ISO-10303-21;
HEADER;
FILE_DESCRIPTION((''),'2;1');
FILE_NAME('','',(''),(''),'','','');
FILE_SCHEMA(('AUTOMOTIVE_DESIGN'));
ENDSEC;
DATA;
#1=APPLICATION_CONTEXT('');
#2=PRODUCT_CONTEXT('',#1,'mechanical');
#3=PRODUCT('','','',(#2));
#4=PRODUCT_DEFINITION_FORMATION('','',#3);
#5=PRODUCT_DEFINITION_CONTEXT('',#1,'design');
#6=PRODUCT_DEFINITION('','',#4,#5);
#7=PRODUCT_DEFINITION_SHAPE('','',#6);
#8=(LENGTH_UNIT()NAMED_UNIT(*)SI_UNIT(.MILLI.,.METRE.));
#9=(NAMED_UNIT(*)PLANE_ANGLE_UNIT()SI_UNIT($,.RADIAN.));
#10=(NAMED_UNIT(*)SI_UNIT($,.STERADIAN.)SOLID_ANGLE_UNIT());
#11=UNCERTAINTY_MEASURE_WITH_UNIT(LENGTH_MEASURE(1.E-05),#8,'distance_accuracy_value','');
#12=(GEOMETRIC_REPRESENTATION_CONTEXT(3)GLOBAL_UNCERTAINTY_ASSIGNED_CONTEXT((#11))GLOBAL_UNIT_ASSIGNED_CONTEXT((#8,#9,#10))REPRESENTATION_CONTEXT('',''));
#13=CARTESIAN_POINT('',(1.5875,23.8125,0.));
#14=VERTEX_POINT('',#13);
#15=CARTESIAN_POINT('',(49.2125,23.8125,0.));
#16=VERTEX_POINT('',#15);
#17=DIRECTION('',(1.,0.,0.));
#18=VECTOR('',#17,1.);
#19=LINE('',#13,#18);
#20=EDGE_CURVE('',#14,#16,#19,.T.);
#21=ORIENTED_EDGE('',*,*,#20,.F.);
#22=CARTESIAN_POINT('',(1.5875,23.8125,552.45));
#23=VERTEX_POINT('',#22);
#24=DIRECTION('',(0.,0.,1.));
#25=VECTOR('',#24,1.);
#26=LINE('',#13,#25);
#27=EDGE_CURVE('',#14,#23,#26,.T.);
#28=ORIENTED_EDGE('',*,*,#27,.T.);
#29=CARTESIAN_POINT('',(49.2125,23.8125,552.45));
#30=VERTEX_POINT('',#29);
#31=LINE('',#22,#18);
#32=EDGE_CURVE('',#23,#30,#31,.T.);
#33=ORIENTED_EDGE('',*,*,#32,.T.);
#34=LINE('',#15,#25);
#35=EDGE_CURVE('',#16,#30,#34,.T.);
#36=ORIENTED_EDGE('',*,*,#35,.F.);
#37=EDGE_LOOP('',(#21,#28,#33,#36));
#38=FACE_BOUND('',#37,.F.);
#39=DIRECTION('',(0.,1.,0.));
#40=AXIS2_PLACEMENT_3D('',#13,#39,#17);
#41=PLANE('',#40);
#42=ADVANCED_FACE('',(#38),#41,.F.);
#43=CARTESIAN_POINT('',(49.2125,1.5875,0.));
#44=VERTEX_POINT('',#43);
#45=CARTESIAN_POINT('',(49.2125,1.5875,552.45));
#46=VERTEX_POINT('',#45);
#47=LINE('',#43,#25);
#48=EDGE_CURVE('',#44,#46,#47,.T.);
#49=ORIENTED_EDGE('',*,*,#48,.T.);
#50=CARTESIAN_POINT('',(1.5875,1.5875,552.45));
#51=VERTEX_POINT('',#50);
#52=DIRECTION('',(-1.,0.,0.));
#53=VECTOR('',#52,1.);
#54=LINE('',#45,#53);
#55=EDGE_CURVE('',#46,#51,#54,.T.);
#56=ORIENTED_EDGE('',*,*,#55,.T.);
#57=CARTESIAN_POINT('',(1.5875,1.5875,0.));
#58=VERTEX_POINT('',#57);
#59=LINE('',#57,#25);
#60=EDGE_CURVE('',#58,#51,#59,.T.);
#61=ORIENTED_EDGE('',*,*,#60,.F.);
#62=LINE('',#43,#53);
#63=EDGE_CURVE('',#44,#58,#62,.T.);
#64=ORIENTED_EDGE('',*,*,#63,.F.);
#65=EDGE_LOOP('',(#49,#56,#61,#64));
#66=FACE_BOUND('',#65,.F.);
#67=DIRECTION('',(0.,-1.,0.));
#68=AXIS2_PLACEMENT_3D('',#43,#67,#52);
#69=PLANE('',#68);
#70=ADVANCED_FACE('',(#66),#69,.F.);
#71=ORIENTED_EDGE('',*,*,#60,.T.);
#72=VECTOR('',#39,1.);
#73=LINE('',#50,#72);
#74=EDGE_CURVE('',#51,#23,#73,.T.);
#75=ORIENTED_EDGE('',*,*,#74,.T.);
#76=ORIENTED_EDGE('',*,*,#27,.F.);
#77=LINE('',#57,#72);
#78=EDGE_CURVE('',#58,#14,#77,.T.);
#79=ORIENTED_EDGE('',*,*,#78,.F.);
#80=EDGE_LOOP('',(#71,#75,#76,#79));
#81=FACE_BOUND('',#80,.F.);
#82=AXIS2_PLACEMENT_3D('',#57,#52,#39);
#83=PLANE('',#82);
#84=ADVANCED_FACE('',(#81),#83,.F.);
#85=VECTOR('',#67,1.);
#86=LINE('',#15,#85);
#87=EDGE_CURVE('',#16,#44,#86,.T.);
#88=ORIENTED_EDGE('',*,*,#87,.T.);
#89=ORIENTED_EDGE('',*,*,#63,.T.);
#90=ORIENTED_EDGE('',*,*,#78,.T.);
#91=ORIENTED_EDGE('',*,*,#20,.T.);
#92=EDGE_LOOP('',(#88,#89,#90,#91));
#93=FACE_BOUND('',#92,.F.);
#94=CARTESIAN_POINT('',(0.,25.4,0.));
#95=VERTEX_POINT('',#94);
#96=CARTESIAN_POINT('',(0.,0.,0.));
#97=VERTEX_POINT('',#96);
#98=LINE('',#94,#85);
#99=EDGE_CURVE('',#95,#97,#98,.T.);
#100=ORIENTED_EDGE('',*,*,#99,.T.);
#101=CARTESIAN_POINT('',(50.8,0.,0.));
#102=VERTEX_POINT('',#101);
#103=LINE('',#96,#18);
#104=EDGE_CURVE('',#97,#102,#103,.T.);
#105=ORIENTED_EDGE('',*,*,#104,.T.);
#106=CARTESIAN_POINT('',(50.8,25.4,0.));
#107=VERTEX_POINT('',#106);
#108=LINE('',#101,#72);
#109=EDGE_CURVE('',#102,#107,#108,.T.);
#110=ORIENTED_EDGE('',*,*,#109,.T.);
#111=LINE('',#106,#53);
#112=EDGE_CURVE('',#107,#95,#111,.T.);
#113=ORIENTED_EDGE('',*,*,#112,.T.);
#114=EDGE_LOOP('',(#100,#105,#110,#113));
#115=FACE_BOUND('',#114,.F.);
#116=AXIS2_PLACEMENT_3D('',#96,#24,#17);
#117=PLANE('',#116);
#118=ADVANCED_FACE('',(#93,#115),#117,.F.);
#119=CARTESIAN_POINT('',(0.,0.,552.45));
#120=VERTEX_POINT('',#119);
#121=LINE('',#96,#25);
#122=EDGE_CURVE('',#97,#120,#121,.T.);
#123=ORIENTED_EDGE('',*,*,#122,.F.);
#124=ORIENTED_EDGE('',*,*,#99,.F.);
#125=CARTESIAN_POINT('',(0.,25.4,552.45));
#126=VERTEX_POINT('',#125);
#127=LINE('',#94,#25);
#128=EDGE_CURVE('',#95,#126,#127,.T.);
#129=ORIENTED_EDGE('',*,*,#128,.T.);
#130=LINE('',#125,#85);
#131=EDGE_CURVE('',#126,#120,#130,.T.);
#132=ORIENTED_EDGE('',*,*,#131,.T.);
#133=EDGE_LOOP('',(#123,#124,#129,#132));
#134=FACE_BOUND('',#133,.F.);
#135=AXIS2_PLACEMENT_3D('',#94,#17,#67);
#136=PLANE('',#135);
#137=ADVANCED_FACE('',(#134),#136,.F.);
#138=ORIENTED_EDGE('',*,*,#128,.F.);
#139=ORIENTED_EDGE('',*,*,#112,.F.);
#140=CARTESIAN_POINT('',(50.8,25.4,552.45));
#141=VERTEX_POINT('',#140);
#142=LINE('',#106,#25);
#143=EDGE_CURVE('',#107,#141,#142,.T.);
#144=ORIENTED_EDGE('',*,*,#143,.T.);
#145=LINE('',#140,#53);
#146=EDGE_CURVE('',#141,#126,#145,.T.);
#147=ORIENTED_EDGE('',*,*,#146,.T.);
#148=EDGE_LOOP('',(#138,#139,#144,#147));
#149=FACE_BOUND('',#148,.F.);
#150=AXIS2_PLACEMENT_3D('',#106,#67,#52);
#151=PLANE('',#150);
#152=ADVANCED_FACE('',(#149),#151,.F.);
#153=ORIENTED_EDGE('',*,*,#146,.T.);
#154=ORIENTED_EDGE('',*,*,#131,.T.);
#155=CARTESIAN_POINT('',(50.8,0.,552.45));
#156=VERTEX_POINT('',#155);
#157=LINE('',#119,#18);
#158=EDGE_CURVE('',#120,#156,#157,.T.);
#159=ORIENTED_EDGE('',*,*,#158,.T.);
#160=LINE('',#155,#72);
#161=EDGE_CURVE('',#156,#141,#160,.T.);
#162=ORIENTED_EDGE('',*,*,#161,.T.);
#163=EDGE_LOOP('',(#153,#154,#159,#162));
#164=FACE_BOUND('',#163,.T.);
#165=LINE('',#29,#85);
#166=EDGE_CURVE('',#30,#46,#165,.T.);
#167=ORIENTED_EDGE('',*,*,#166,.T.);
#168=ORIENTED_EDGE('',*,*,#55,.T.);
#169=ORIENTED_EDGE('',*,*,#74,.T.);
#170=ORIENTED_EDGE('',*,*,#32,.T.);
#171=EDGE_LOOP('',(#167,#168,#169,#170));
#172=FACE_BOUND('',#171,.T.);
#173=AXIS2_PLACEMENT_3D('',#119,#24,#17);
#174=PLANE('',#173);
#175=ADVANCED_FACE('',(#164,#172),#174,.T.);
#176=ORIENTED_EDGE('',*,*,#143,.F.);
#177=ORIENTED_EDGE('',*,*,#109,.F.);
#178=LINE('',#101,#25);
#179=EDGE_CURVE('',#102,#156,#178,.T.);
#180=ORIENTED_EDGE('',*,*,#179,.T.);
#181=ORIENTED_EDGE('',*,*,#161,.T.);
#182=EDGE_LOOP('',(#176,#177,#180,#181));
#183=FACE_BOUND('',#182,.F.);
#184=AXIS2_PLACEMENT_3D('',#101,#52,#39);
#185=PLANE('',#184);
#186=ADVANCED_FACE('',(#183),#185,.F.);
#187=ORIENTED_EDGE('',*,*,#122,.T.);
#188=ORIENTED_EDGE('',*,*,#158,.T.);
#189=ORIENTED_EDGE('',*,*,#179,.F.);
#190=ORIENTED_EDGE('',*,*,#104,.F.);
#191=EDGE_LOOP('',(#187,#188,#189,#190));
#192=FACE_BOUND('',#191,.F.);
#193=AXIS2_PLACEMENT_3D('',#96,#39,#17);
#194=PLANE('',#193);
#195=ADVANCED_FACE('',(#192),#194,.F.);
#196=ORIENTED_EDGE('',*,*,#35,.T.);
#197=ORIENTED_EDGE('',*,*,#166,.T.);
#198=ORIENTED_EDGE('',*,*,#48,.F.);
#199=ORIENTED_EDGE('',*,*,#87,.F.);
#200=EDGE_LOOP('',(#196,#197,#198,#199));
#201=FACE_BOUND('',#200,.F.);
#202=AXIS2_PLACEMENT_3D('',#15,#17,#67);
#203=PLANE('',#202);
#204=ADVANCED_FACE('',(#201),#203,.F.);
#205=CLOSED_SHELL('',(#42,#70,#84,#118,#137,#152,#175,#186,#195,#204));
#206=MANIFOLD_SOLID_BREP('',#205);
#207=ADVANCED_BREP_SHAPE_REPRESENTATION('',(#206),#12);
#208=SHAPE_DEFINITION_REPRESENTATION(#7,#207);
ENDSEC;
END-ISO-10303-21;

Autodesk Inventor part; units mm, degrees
ref_plane "YZ Plane" through (0, 0, 0) normal (1, 0, 0) x (0, 1, 0)
ref_plane "XZ Plane" through (0, 0, 0) normal (0, 1, 0) x (-1, 0, 0)
ref_plane "XY Plane" through (0, 0, 0) normal (0, 0, 1) x (1, 0, 0)
sketch "Sketch1" plane through (0, 0, 0) normal (0, 0, 1) x (1, 0, 0)
  line L0 (0, 0) -> (50.8, 0)
  line L1 (50.8, 0) -> (50.8, 25.4)
  line L2 (50.8, 25.4) -> (0, 25.4)
  line L3 (0, 25.4) -> (0, 0)
  line L4 (1.5875, 23.8125) -> (49.2125, 23.8125)
  line L5 (49.2125, 23.8125) -> (49.2125, 1.5875)
  line L6 (49.2125, 1.5875) -> (1.5875, 1.5875)
  line L7 (1.5875, 1.5875) -> (1.5875, 23.8125)
  dimension "d0" = 50.8
  dimension "d1" = 25.4
  dimension "d2" = 1.5875
extrude "Extrusion1" add sketch "Sketch1" along normal blind 552.45
properties part number "FRA_013_2inSideCenterSupports" material "Aluminum 6061"
